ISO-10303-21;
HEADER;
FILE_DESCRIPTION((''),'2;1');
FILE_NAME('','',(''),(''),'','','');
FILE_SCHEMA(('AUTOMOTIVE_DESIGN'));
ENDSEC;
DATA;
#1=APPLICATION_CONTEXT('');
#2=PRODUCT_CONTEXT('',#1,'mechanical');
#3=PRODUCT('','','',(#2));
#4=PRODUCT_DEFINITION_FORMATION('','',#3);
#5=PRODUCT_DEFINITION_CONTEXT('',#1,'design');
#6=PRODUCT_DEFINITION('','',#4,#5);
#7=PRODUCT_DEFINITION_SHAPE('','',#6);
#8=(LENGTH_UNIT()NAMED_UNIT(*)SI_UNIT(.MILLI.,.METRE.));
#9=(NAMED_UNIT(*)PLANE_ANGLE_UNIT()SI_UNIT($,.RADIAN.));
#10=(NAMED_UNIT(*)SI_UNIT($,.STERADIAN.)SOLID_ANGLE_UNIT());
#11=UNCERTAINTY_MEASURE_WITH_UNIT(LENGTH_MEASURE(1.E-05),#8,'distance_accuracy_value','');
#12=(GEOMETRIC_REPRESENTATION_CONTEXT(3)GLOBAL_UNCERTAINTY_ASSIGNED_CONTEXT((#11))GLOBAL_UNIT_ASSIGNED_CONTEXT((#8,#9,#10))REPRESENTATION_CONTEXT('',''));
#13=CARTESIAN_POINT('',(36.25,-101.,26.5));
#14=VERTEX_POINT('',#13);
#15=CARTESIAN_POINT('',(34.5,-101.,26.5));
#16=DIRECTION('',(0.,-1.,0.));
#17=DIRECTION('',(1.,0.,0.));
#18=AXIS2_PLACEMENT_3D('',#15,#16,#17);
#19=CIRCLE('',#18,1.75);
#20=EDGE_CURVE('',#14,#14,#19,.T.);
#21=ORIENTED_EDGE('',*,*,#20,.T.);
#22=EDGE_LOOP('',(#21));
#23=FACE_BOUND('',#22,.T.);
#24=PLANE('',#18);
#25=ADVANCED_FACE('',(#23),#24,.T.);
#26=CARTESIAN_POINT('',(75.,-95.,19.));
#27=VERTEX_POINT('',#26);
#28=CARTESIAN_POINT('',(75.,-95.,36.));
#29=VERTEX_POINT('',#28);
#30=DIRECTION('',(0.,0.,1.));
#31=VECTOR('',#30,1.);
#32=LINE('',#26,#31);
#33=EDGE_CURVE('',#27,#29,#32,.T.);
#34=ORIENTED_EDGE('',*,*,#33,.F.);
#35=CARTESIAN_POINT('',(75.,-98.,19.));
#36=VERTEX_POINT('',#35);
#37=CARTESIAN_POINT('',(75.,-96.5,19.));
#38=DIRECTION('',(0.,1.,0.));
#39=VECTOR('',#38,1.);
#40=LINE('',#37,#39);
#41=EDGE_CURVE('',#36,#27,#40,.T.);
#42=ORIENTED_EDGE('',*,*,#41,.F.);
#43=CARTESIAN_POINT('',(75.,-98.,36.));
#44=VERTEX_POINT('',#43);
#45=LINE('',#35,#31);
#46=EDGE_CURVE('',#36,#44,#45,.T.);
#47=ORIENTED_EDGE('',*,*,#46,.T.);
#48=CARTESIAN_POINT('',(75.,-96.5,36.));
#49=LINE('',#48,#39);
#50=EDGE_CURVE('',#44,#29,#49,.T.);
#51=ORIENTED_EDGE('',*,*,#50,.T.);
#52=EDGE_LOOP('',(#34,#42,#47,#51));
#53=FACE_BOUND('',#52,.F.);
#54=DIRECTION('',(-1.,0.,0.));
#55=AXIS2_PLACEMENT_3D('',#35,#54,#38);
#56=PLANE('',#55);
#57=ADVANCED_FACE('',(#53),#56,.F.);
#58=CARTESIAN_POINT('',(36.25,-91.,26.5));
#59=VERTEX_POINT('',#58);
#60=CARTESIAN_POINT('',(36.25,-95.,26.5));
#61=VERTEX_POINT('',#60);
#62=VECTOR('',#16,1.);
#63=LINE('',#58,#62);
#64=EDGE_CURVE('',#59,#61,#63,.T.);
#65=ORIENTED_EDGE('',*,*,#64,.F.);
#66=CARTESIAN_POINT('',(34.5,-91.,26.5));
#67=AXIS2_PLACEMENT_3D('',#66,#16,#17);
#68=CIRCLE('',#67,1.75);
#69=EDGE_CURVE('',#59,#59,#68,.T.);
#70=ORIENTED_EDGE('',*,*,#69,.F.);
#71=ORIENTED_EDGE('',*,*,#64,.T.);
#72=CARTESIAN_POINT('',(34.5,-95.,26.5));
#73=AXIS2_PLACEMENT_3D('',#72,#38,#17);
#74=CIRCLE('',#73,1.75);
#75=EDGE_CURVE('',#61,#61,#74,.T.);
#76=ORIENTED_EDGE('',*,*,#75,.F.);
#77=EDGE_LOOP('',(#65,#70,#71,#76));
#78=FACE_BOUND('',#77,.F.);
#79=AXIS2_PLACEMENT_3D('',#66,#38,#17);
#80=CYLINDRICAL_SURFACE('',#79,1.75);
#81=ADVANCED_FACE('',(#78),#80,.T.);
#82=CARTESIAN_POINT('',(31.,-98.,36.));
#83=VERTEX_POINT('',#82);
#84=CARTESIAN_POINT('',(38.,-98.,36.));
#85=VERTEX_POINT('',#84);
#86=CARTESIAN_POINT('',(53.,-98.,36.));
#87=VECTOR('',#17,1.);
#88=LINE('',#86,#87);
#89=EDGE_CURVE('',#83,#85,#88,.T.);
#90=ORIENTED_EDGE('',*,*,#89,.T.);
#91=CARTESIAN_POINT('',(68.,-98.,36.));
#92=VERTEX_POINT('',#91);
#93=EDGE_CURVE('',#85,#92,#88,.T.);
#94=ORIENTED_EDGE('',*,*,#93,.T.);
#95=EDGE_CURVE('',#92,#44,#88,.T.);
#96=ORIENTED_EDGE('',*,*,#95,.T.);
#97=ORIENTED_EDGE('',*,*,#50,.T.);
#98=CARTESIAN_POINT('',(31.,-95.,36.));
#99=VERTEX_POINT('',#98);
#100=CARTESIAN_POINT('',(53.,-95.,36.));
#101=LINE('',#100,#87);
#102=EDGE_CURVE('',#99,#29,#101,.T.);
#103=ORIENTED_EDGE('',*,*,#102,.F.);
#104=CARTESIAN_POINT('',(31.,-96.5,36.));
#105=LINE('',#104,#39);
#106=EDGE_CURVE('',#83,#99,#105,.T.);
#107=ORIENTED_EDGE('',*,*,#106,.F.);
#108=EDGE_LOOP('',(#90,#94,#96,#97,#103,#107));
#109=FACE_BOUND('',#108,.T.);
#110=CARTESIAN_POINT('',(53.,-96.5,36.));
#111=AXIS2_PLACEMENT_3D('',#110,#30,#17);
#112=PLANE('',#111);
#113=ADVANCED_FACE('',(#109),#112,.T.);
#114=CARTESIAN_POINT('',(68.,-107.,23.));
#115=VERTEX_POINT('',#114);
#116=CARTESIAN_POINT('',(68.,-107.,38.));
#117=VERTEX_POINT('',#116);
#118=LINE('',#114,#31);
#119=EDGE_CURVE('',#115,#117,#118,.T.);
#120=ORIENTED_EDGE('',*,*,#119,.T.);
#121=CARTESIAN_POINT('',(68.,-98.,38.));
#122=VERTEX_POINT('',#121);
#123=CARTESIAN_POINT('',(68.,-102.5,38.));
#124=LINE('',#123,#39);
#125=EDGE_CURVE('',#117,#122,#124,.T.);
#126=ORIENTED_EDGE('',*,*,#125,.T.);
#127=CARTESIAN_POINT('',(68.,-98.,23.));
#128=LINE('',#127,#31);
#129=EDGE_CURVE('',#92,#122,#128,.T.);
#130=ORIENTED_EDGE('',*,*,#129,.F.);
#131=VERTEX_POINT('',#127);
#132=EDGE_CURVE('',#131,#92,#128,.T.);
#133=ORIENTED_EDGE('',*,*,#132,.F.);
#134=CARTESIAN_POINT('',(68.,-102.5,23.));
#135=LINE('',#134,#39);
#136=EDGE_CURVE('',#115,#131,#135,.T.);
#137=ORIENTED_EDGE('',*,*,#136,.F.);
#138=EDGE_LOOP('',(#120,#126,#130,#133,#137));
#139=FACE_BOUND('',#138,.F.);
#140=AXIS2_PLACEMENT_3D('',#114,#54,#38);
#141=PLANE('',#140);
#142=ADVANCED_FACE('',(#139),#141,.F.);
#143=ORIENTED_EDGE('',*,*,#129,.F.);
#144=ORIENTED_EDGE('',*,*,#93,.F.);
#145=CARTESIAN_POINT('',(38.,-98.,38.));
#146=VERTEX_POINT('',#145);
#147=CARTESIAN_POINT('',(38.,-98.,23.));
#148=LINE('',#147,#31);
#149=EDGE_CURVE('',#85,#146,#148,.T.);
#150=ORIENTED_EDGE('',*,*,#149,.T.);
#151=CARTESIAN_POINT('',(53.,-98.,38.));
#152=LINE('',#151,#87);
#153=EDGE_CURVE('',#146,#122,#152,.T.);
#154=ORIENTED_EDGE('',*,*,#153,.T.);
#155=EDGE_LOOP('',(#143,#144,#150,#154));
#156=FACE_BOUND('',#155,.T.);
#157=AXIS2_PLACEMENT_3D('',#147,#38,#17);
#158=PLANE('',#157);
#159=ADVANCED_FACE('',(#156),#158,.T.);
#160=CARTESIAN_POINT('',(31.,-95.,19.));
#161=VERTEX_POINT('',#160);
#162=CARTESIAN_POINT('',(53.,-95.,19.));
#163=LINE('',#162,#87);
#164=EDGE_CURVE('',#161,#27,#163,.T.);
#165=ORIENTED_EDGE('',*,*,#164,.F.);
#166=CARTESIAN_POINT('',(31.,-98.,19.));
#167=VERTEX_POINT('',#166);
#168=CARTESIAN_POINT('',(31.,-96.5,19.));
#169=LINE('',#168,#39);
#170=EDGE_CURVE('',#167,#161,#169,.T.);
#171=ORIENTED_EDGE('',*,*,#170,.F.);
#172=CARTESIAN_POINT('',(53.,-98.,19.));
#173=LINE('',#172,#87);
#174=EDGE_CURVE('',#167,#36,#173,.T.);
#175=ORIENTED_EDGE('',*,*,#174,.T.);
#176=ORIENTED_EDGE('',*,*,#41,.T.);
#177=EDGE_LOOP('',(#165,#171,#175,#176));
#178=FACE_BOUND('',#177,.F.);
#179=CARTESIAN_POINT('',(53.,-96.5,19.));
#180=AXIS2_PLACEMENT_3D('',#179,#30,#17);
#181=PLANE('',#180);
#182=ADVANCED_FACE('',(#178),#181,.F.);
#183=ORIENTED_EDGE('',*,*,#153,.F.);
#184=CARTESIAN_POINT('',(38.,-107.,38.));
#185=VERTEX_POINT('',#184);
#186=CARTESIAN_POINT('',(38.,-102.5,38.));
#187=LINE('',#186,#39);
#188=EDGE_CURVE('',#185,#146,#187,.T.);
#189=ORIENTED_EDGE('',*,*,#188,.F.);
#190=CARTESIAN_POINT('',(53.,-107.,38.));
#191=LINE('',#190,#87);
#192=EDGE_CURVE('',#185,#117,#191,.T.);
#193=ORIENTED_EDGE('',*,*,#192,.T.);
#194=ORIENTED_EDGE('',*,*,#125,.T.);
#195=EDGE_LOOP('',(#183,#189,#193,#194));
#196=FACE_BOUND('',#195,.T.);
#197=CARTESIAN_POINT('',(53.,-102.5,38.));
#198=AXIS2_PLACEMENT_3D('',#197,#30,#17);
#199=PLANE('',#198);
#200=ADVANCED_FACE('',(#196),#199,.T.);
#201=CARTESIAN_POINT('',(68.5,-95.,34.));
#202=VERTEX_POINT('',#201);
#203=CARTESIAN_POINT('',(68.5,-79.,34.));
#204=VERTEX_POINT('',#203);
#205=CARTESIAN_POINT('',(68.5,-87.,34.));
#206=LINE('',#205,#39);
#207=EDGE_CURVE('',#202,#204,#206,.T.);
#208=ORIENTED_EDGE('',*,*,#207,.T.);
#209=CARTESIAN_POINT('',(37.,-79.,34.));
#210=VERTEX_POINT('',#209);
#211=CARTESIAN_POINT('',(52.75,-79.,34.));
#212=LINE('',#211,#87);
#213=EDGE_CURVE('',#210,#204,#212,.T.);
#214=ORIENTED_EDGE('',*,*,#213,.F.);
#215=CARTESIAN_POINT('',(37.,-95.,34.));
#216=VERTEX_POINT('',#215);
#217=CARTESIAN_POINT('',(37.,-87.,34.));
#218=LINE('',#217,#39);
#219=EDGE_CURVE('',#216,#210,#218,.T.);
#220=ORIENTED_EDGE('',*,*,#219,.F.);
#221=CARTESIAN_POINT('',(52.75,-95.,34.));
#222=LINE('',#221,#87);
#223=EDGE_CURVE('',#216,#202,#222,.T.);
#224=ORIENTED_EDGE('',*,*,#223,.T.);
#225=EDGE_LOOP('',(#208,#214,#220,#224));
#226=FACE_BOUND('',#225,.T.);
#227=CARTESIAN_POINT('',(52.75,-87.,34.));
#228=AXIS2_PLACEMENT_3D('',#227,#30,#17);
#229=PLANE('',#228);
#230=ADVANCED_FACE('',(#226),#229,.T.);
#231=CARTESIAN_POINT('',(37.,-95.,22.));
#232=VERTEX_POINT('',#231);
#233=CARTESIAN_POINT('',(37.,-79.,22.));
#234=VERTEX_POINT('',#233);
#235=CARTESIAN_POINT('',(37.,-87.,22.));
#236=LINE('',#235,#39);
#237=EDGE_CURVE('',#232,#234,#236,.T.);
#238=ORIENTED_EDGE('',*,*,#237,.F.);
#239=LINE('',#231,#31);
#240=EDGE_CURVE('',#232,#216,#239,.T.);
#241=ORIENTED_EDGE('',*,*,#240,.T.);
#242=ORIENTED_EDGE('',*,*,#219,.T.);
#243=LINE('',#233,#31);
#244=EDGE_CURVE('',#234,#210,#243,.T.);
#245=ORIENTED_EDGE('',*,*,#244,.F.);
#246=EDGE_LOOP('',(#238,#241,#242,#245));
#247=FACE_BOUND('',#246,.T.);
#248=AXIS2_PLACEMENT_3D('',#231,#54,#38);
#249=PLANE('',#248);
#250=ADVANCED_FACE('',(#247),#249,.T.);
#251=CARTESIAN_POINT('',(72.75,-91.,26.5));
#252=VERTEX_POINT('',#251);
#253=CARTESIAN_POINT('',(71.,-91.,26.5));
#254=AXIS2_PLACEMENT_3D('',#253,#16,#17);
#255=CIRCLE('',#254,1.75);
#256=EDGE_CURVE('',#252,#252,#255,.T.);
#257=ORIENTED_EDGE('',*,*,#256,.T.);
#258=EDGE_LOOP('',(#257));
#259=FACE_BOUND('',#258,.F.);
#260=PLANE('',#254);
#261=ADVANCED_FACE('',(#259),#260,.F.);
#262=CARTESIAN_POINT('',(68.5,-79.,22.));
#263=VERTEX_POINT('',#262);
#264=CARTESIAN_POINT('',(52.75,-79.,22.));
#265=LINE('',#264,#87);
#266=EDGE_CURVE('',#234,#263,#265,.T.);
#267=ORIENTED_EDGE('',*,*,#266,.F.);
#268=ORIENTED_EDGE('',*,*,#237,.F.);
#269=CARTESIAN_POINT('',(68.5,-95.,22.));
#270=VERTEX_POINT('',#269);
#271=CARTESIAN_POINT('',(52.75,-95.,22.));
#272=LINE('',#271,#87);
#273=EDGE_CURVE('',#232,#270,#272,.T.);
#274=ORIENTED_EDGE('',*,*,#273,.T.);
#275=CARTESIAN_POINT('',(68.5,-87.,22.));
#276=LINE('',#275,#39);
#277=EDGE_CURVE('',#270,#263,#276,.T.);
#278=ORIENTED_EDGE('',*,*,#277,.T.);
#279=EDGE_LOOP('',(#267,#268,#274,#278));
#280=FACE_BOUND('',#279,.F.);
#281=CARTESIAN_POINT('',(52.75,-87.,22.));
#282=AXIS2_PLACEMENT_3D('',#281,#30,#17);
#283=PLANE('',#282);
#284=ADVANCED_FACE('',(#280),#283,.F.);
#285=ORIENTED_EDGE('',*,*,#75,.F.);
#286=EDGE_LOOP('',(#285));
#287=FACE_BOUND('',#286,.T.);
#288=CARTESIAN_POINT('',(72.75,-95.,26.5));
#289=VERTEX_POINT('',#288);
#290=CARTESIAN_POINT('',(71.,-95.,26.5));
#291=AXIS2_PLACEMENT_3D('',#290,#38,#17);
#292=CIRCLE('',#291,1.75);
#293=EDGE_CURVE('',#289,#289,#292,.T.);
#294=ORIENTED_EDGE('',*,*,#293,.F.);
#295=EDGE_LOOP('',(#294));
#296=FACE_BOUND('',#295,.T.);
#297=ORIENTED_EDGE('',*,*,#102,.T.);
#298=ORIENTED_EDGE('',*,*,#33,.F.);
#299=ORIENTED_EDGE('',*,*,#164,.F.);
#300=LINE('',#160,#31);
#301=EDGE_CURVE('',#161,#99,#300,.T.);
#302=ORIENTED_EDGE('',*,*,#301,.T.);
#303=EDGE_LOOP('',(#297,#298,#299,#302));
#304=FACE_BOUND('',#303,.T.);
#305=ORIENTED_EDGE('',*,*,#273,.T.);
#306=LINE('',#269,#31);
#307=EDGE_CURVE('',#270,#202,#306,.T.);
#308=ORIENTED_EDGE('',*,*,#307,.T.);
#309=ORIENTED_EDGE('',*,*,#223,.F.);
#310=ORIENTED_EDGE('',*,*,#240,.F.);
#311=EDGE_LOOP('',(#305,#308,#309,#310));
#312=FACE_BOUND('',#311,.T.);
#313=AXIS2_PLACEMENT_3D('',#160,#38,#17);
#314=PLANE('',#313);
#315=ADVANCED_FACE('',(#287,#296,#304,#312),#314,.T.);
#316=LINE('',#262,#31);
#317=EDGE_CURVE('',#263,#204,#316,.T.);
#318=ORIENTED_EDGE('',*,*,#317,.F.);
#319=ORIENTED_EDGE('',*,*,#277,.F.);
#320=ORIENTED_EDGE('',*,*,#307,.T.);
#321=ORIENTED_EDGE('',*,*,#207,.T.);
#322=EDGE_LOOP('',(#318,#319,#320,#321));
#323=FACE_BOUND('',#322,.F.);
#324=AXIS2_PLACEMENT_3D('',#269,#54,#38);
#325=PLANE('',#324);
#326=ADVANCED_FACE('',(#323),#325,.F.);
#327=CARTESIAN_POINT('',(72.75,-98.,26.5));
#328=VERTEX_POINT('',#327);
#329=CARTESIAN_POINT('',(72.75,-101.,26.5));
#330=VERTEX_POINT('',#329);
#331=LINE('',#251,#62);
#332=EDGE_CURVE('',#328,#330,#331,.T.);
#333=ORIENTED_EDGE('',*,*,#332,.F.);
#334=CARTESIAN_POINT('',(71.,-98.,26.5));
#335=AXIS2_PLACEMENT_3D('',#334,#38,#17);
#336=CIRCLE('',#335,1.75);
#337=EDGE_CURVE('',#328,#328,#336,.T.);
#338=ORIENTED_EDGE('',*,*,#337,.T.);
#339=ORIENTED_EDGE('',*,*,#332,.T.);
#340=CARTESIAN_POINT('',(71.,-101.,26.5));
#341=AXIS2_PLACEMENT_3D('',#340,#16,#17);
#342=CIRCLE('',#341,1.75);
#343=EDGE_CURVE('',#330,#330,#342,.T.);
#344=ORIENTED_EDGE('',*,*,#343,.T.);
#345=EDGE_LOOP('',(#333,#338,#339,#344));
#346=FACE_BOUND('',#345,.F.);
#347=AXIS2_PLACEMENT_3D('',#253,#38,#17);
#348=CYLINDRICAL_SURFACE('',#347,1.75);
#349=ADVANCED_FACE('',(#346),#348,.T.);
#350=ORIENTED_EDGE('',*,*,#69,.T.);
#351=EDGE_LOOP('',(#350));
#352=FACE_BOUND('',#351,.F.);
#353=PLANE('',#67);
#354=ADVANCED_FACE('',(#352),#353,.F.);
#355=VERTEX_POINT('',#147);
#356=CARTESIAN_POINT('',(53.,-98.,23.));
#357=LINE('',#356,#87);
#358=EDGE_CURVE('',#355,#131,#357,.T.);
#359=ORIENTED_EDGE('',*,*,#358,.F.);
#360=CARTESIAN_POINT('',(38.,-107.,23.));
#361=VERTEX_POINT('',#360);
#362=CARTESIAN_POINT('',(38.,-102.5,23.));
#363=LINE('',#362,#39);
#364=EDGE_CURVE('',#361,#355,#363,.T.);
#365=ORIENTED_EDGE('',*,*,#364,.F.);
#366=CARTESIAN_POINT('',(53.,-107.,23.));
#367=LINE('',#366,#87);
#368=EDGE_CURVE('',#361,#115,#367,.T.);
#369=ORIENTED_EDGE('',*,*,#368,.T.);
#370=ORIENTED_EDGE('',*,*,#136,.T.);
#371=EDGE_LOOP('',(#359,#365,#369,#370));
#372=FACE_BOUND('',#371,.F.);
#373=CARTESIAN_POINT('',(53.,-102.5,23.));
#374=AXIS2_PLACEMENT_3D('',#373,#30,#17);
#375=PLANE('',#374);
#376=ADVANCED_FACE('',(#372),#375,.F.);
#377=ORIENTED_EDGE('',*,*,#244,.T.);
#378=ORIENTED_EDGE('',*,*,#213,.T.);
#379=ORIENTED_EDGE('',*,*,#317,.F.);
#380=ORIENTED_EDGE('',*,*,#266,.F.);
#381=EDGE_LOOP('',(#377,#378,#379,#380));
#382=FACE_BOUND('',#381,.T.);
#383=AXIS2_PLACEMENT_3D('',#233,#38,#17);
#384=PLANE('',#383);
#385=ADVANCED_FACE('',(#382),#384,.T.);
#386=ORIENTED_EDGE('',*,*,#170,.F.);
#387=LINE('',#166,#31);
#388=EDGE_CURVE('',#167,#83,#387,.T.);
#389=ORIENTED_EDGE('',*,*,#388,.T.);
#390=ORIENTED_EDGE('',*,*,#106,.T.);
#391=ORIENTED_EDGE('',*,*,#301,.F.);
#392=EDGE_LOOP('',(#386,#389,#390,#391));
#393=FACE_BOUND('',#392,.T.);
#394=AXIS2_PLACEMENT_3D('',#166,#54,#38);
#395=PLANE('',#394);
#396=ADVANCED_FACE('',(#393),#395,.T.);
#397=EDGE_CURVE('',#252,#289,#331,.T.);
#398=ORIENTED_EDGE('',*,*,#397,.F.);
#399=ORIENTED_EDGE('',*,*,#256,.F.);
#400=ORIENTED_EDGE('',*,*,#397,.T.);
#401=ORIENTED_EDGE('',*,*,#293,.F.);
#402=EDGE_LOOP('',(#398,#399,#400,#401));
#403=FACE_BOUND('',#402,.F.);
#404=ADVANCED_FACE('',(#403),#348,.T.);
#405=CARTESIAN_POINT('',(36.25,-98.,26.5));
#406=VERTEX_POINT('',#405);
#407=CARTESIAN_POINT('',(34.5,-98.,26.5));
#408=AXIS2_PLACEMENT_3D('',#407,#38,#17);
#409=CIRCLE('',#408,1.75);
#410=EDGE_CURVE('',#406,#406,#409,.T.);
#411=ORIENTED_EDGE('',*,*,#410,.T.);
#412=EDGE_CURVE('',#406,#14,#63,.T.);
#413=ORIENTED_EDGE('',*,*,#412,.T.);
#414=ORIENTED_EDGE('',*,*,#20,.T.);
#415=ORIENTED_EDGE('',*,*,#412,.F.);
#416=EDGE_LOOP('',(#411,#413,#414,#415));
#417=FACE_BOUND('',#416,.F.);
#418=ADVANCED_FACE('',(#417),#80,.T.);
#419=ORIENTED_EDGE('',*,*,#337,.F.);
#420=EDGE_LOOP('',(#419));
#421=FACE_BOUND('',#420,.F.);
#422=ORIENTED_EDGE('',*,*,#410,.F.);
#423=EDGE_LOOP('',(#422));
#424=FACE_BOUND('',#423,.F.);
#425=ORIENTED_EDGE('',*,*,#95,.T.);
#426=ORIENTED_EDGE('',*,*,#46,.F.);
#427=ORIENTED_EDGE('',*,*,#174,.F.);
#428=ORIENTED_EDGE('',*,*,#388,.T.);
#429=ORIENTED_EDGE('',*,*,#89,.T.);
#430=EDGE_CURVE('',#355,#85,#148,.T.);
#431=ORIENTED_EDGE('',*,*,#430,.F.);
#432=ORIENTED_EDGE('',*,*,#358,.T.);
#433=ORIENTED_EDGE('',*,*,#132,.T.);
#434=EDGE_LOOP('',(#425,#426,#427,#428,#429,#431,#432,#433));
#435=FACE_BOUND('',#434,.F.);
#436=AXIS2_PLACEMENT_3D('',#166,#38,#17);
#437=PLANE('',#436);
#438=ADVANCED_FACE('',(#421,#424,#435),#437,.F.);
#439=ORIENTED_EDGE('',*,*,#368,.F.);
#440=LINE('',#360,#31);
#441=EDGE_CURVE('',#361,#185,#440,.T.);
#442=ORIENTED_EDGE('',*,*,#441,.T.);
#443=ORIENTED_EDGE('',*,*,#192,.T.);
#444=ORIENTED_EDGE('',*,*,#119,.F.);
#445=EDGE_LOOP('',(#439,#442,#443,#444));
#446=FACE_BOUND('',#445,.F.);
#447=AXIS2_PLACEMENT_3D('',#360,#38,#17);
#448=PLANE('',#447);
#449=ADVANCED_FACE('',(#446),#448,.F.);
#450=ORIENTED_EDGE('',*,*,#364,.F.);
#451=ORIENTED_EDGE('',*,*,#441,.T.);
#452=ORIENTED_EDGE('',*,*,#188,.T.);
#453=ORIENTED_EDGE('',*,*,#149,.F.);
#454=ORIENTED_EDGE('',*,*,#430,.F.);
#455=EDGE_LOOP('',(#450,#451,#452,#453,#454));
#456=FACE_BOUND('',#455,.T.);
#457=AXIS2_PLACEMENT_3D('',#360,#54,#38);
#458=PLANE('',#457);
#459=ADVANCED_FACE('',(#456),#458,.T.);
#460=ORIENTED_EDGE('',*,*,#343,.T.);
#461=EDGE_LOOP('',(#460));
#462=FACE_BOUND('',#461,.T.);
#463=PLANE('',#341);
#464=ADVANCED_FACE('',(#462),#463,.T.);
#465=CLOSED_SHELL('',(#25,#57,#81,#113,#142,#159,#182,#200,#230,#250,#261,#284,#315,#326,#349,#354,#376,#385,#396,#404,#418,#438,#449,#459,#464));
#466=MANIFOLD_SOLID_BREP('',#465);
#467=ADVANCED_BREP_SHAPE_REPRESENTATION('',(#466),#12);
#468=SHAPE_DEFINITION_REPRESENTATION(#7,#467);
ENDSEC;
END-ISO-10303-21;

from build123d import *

# Parameters (mm, degrees)
BOX010_W          = 30
BOX010_H          = 9
BOX010_DEPTH      = 15
BOX011_W          = 31.5
BOX011_H          = 16
BOX011_DEPTH      = 12
CYLINDER_R        = 1.75
CYLINDER_DEPTH    = 10
CYLINDER001_R     = 1.75
CYLINDER001_DEPTH = 10
BOX009_W          = 44
BOX009_H          = 3
BOX009_DEPTH      = 17


with BuildPart() as cube010:
    # Box010 → Box010 (new body)
    with BuildSketch(Plane(origin=(43, -107, 23), x_dir=(1, 0, 0), z_dir=(0, 0, 1))):
        with Locations((15, 4.5)):
            Rectangle(BOX010_W, BOX010_H)
    extrude(amount=BOX010_DEPTH)


with BuildPart() as cube011:
    # Box011 → Box011 (new body)
    with BuildSketch(Plane(origin=(42, -95, 22), x_dir=(1, 0, 0), z_dir=(0, 0, 1))):
        with Locations((15.75, 8)):
            Rectangle(BOX011_W, BOX011_H)
    extrude(amount=BOX011_DEPTH)


with BuildPart() as cylinder:
    # Cylinder → Cylinder (new body)
    with BuildSketch(Plane(origin=(40, -91, 26.5), x_dir=(1, 0, 0), z_dir=(0, -1, 0))):
        Circle(CYLINDER_R)
    extrude(amount=CYLINDER_DEPTH)


with BuildPart() as fusion003:
    # Cylinder001 → Cylinder001 (new body)
    with BuildSketch(Plane(origin=(76.5, -91, 26.5), x_dir=(1, 0, 0), z_dir=(0, -1, 0))):
        Circle(CYLINDER001_R)
    extrude(amount=CYLINDER001_DEPTH)

    # Fusion003: union Cylinder
    add(cylinder.part)


with BuildPart() as fusion003_1:
    # Fusion003 placement: moved
    add(fusion003.part.moved(Location((-0.5, 0, 0))))


with BuildPart() as f_4p:
    # Box009 → Box009 (new body)
    with BuildSketch(Plane(origin=(36, -98, 19), x_dir=(1, 0, 0), z_dir=(0, 0, 1))):
        with Locations((22, 1.5)):
            Rectangle(BOX009_W, BOX009_H)
    extrude(amount=BOX009_DEPTH)

    # Fusion004: union Cube010, Cube011, Fusion003
    add(cube010.part)
    add(cube011.part)
    add(fusion003_1.part)


with BuildPart() as f_4p_1:
    # Fusion004 placement: moved
    add(f_4p.part.moved(Location((-5, 0, 0))))


solid = f_4p_1.part
